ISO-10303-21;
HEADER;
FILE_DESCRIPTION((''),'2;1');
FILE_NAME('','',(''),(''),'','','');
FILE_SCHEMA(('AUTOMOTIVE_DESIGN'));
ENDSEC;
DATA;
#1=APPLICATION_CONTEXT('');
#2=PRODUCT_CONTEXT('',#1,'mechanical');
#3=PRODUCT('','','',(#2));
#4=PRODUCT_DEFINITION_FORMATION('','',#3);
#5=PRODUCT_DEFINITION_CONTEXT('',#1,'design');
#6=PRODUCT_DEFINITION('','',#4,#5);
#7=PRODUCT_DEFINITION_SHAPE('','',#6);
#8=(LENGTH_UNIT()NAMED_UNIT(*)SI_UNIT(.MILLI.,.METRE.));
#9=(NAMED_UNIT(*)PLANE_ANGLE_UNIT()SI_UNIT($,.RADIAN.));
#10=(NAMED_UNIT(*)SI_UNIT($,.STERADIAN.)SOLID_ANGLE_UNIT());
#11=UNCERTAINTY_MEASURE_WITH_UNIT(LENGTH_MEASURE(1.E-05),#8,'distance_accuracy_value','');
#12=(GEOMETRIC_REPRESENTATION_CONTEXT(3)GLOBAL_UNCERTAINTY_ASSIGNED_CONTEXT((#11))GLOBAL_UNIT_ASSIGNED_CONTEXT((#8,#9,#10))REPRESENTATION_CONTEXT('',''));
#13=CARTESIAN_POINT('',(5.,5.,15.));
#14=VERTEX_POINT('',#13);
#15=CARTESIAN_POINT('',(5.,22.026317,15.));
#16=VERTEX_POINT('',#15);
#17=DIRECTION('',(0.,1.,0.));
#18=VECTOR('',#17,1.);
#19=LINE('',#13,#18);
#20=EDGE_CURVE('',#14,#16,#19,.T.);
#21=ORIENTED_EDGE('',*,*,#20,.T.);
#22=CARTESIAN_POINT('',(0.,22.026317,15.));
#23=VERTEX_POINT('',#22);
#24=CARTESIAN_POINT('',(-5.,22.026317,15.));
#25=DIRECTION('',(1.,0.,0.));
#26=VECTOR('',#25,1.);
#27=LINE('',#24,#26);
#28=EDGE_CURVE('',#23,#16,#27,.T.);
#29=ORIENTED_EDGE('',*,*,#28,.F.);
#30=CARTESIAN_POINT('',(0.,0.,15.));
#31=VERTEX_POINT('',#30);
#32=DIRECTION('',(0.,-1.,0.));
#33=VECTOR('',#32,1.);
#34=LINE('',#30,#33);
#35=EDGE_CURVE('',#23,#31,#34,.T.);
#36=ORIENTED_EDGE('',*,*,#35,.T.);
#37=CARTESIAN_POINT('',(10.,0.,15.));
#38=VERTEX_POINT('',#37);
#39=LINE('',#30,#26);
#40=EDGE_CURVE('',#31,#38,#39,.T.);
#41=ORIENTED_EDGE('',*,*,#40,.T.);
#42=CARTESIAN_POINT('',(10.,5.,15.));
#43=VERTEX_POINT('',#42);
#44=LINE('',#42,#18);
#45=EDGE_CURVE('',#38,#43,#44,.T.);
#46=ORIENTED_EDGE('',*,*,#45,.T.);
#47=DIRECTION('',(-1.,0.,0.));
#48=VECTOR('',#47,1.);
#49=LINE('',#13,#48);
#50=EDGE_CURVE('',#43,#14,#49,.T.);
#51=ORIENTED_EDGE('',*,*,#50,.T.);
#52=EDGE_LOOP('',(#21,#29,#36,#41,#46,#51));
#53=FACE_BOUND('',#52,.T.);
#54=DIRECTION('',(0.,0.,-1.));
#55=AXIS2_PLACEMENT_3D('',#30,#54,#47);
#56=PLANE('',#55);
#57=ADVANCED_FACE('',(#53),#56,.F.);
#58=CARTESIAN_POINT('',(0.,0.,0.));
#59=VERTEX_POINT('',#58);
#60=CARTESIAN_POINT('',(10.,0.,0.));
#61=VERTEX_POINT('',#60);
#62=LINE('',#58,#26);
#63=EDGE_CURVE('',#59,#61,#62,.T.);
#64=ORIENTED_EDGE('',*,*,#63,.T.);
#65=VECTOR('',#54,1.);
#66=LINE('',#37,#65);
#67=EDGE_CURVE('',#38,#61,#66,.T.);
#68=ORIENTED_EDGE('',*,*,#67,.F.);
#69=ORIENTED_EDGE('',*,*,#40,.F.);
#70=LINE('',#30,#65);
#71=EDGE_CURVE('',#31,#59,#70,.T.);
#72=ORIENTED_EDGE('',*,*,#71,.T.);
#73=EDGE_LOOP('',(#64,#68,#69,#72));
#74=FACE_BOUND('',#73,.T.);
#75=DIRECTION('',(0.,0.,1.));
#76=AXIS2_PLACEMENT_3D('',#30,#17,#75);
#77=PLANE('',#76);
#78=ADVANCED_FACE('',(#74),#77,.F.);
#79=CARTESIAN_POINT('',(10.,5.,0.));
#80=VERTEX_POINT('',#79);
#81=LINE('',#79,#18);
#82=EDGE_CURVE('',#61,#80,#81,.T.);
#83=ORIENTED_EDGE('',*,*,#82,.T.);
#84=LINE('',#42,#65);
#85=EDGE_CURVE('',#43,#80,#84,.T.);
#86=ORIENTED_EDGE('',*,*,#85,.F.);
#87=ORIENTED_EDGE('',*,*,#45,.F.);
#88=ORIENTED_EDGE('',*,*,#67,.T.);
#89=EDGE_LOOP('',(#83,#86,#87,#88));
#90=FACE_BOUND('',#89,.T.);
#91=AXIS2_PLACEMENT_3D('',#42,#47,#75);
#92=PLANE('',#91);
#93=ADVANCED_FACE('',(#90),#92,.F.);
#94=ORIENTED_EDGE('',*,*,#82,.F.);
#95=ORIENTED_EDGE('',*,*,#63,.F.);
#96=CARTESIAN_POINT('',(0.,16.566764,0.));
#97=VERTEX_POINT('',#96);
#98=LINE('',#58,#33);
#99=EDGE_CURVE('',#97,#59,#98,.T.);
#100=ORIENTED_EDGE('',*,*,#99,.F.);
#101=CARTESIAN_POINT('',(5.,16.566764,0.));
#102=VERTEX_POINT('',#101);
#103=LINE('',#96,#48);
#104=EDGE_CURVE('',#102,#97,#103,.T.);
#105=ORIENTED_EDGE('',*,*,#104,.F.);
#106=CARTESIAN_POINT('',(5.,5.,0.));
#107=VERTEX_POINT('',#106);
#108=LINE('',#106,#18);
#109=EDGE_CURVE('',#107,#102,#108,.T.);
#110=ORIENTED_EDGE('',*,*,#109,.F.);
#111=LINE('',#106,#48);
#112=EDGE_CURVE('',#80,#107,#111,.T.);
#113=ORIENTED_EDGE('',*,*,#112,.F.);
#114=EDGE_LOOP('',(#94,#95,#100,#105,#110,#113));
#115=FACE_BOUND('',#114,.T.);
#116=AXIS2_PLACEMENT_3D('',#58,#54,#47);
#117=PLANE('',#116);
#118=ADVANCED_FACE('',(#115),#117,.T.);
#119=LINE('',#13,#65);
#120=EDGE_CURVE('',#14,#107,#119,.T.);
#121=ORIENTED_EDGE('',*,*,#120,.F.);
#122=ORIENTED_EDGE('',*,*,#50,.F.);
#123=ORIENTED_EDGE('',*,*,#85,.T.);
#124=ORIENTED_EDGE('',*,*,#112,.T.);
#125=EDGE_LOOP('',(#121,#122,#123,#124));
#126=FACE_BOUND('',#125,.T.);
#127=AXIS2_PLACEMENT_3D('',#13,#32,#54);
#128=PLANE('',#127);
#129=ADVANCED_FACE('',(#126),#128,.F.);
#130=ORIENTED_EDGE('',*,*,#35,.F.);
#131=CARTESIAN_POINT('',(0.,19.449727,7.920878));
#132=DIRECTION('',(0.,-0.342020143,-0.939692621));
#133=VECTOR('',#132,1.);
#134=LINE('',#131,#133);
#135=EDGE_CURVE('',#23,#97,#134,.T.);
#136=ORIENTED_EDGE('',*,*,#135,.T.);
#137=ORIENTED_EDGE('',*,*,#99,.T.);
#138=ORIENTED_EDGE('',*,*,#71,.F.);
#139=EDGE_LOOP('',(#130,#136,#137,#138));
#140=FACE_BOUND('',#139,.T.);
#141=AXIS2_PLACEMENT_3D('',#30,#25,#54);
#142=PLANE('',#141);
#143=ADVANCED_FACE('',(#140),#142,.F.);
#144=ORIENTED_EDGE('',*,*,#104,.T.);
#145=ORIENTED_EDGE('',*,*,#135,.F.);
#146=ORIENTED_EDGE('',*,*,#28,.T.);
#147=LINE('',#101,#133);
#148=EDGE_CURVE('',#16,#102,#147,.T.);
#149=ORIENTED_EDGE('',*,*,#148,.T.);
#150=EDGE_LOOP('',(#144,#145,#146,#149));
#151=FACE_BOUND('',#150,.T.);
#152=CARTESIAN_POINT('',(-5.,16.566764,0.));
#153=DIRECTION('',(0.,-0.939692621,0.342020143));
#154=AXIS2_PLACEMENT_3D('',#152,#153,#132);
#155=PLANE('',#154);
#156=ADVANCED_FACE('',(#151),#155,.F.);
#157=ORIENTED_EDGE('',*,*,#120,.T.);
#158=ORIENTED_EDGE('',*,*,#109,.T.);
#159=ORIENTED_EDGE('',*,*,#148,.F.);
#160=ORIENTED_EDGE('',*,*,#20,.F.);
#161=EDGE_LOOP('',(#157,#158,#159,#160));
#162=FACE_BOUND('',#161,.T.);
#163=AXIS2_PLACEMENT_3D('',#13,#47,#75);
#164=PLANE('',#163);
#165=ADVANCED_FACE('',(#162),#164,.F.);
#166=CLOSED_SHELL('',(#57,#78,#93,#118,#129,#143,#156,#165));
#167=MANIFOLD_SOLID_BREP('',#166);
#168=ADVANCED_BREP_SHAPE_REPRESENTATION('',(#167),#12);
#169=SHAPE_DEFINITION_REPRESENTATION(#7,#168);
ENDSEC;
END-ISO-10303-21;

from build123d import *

# Parameters (mm, degrees)
BOSS_EXTRUDE1_DEPTH = 15
CUT_EXTRUDE1_DEPTH  = 10


with BuildPart() as part:
    # Sketch1 → Boss-Extrude1 (new body)
    with BuildSketch(Plane.XY):
        Polygon((0, 0), (0, 25), (5, 25), (5, 5), (10, 5), (10, 0), align=None)
    extrude(amount=BOSS_EXTRUDE1_DEPTH)

    # Sketch2 → Cut-Extrude1 (cut)
    with BuildSketch(Plane(origin=(5, 0, 0), x_dir=(0, 0, -1), z_dir=(1, 0, 0))):
        Polygon((-15, 22.026317018), (-18.328083999, 30.478992543), (8.324959991, 29.895957206), (0, 16.566763504), align=None)
    extrude(amount=-CUT_EXTRUDE1_DEPTH, mode=Mode.SUBTRACT)


solid = part.part
